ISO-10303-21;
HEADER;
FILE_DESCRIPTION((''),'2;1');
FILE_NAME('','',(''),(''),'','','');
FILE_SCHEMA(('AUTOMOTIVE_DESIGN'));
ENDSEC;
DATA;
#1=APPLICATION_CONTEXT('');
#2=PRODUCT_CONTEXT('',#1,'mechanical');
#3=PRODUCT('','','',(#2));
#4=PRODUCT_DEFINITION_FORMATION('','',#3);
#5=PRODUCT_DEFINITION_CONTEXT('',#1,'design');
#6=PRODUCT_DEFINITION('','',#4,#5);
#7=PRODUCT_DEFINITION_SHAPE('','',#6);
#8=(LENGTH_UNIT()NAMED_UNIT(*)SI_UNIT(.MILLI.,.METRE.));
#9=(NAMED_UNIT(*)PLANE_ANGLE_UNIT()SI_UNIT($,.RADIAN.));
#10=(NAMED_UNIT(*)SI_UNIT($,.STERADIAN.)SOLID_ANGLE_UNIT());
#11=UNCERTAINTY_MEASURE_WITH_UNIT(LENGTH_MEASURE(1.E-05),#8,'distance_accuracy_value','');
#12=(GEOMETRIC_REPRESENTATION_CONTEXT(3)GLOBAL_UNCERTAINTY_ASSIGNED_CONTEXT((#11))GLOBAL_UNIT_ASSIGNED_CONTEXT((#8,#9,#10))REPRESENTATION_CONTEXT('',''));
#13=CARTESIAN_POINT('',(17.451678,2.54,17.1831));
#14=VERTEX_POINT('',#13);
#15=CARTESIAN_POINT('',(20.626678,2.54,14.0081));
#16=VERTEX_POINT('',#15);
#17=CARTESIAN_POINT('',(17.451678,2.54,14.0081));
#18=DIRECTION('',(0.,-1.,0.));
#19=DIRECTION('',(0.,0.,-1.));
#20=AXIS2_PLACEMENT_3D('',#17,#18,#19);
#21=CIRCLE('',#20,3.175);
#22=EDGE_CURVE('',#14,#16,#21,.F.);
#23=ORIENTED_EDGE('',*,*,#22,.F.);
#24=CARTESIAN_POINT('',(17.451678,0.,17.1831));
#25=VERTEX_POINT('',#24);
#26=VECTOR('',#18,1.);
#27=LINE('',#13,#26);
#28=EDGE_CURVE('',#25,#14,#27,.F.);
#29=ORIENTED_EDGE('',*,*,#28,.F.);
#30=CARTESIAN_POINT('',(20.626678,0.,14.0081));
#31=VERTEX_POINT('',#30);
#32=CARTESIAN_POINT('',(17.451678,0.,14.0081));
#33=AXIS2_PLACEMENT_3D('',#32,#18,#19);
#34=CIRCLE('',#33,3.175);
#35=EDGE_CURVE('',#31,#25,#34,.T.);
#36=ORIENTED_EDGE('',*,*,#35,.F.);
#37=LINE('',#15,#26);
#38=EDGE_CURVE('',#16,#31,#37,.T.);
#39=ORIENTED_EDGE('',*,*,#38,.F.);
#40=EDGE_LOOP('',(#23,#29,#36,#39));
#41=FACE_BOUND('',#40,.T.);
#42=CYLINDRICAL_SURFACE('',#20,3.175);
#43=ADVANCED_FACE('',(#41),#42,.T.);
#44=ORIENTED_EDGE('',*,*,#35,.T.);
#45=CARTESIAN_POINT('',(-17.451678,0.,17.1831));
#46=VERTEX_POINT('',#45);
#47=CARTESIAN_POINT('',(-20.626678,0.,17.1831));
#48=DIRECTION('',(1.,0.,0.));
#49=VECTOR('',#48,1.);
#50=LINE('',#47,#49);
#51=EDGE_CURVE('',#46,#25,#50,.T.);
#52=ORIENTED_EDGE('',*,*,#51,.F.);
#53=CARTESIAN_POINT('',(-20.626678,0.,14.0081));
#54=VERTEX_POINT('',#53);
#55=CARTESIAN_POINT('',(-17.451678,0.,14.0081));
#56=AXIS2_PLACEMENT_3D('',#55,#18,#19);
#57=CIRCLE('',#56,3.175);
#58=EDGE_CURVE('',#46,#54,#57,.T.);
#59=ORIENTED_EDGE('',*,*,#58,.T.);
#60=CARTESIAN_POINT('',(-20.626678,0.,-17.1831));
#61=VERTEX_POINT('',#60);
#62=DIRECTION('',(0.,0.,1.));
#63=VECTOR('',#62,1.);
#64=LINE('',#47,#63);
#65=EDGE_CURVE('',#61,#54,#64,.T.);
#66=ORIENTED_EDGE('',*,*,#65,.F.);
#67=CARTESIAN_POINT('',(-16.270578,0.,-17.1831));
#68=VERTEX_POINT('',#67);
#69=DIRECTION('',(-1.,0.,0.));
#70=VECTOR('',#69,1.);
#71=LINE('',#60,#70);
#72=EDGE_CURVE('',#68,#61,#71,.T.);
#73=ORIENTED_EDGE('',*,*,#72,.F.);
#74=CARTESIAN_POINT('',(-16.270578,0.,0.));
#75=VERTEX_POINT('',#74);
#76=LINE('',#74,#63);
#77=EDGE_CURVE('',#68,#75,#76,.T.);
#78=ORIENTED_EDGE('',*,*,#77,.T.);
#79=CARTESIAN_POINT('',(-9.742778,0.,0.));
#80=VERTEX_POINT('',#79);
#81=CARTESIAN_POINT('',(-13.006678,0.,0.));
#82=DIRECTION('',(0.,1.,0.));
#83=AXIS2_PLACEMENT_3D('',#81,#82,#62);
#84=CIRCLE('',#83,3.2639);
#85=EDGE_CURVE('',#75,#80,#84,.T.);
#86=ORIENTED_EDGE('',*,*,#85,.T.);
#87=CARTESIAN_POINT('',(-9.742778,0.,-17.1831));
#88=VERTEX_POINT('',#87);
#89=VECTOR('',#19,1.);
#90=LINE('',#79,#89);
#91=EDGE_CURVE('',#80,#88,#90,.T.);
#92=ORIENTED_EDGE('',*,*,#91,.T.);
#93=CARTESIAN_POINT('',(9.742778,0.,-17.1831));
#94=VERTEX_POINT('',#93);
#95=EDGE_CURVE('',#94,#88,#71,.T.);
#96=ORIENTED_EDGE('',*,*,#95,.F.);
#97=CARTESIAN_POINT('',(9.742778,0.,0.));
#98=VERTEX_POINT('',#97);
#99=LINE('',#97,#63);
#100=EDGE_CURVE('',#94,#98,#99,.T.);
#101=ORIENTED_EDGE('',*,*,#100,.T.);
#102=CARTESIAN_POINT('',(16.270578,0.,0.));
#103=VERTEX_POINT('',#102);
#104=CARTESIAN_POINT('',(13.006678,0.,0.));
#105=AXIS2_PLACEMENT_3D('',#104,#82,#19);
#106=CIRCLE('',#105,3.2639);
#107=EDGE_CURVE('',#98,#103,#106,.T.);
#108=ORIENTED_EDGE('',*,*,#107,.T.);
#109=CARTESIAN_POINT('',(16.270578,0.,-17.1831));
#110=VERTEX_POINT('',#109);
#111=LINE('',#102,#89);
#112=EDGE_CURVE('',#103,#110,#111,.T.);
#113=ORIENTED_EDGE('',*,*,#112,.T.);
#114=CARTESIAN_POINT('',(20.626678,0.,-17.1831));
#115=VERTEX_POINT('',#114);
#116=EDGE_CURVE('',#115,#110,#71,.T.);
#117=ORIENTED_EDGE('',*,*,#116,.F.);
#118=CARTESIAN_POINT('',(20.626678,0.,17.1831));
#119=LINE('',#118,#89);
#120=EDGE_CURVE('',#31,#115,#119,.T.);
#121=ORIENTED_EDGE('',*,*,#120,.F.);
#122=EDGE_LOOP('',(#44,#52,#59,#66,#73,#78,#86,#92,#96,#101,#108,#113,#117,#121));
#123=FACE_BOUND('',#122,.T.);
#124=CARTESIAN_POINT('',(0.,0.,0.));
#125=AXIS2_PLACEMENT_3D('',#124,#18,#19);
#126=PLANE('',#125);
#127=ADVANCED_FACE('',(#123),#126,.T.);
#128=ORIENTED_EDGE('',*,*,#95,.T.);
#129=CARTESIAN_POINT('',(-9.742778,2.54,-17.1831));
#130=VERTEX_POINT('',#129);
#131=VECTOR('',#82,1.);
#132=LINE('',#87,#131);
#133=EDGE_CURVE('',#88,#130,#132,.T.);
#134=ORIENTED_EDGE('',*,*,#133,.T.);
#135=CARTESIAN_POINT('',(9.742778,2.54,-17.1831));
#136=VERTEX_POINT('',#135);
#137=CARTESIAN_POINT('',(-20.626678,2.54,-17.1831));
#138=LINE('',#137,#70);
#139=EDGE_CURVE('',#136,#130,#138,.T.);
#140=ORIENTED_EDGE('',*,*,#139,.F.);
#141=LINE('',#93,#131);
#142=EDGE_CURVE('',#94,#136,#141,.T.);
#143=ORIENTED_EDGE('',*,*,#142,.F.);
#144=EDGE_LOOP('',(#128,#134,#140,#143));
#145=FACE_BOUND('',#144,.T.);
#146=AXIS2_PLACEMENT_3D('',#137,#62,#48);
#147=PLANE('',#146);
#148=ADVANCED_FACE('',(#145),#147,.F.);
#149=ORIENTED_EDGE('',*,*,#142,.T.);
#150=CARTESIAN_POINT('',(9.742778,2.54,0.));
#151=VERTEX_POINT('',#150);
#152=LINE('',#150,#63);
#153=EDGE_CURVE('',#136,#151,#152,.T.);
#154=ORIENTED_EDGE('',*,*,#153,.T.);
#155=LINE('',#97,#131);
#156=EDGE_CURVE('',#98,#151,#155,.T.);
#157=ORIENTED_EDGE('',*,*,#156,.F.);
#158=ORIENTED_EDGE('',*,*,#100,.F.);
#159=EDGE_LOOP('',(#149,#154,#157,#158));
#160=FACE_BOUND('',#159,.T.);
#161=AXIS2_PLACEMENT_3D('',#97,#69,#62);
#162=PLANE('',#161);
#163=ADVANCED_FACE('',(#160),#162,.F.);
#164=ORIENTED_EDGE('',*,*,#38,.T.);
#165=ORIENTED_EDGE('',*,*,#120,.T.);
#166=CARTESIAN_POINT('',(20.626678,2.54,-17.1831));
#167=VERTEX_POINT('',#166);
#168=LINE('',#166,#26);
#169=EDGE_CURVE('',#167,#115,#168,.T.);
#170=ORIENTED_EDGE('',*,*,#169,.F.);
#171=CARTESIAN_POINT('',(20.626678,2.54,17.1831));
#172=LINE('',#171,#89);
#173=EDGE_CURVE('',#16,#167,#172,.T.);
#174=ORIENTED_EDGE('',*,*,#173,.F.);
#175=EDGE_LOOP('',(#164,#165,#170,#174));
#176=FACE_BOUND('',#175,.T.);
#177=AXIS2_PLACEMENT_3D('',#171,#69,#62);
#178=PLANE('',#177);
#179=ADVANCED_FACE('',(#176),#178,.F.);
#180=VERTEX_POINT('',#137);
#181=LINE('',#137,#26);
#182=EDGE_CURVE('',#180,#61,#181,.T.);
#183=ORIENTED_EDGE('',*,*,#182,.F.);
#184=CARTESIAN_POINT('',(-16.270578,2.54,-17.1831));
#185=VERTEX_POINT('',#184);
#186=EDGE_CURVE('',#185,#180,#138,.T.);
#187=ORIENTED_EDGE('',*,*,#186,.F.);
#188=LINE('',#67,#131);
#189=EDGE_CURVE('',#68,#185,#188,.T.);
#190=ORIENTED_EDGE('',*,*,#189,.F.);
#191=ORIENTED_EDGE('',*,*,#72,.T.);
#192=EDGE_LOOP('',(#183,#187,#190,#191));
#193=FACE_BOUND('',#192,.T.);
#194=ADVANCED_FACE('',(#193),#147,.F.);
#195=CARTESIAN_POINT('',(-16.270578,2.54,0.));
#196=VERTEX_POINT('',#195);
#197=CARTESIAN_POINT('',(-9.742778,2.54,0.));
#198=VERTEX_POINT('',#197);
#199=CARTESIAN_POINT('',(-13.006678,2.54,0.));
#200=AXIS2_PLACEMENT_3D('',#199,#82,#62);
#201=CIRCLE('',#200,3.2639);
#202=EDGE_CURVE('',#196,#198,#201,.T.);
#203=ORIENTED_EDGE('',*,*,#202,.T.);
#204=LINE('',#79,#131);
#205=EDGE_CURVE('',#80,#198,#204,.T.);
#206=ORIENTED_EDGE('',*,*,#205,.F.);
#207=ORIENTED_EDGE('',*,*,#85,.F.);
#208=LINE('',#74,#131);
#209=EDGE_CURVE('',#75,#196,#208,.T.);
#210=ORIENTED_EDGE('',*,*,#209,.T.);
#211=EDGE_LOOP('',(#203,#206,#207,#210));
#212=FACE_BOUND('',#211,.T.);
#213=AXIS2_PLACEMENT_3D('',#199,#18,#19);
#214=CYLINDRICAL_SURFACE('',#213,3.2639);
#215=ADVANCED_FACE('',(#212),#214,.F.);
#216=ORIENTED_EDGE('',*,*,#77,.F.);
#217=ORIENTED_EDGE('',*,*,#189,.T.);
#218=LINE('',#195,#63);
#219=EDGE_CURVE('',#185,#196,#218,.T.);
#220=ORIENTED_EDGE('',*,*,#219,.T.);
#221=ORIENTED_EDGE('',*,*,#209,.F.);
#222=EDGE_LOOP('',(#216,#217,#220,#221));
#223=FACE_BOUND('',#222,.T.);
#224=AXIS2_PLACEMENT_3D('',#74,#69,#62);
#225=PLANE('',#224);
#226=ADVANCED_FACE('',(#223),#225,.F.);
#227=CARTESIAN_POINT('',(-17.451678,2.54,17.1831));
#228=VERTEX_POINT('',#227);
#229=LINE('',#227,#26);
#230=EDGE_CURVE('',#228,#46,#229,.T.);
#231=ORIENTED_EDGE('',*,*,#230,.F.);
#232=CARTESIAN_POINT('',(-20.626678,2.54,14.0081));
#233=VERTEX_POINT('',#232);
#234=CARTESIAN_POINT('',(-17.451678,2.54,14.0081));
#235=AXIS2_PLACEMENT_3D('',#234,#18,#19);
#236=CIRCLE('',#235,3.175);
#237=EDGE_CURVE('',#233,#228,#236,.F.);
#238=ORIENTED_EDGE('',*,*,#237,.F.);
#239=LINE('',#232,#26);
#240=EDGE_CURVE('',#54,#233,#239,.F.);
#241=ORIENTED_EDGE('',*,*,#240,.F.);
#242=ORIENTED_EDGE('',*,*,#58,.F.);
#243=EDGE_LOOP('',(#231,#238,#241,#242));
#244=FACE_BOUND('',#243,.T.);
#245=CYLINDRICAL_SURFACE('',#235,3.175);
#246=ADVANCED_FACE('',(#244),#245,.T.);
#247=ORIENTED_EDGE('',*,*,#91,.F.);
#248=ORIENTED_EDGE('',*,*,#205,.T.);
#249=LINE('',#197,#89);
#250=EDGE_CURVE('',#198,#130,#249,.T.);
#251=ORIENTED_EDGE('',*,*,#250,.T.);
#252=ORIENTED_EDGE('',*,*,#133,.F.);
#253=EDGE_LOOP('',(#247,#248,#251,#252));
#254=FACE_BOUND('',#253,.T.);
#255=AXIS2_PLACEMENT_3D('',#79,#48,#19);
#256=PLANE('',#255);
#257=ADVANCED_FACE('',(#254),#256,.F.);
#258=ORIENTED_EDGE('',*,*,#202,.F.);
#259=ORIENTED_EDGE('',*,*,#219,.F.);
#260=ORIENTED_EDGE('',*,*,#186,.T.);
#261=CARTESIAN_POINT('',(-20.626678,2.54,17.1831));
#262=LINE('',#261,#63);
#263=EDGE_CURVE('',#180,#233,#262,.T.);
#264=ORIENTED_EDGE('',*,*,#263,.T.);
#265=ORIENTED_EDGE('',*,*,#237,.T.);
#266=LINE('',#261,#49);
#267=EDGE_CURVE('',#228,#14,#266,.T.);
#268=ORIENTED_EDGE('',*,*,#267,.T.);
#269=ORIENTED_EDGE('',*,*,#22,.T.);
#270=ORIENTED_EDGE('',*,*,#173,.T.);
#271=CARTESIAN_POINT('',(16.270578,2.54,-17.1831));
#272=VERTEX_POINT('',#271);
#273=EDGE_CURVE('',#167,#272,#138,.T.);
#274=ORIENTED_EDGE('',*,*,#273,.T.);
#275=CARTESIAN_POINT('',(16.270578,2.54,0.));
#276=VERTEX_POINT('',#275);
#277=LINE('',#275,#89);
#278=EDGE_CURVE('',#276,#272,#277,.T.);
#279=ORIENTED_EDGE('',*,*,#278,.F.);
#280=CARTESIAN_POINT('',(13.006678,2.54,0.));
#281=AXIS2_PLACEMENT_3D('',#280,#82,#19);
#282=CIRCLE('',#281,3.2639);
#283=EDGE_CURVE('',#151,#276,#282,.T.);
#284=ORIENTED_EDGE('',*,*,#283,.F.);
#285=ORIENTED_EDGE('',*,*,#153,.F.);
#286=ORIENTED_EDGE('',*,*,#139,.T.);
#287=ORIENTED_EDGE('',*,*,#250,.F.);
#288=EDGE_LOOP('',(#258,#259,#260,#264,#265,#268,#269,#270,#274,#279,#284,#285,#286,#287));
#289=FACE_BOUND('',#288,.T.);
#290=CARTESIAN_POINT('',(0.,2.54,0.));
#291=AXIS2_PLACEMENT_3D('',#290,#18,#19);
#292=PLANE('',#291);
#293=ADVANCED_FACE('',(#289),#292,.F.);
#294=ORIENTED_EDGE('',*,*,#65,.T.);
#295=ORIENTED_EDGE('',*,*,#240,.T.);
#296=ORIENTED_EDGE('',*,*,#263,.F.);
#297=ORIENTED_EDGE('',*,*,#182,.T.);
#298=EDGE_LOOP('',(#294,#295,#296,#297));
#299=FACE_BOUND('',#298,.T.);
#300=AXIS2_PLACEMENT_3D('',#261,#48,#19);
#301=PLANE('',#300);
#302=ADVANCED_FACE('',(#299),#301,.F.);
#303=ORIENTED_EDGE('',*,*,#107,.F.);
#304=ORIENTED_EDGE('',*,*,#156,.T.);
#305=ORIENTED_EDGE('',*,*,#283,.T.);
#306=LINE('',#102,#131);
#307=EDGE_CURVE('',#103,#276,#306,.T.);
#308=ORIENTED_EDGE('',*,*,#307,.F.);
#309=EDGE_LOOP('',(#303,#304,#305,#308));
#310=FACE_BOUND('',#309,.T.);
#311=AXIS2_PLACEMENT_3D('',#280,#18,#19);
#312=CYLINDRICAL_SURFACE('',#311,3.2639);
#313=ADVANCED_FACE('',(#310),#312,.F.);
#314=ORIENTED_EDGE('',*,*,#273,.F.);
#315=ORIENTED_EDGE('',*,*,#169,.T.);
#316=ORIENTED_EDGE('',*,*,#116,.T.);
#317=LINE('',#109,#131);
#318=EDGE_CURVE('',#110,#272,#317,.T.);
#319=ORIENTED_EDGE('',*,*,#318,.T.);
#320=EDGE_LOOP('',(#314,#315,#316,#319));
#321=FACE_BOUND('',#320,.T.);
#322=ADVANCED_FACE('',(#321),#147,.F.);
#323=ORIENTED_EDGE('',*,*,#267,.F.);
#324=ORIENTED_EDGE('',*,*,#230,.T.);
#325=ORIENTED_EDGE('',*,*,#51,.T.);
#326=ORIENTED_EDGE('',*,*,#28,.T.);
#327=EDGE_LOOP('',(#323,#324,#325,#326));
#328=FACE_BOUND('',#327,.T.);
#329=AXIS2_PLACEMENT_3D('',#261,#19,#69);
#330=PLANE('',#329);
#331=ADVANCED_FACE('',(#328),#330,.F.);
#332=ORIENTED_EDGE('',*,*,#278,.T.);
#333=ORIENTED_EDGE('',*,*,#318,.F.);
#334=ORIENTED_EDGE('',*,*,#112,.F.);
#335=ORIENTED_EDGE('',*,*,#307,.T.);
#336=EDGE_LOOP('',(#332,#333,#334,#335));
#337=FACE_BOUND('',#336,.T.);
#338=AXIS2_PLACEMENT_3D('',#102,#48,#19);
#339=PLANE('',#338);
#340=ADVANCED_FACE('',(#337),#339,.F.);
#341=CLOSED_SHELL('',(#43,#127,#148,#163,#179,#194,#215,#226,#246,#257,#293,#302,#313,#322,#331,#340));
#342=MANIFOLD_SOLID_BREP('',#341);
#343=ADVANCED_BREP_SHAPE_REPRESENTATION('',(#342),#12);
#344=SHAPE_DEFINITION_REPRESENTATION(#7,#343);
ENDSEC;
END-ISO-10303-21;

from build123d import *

# Parameters (mm, degrees)
SKETCH2_W       = 41.253356914
SKETCH2_H       = 34.3662
SKETCH2_R       = 3.2639
MAIN_BODY_DEPTH = 2.54
FILLET1_R       = 3.175
SKETCH3_W       = 6.5278
SKETCH3_H       = 17.1831
SLOTS_DEPTH     = 27.966097044


with BuildPart() as part:
    # Sketch2 → Main Body (new body)
    with BuildSketch(Plane(origin=(0, 0, 0), x_dir=(1, 0, 0), z_dir=(0, 1, 0))):
        Rectangle(SKETCH2_W, SKETCH2_H)
        with Locations(Location((-13.006678457, 0, 0), (0, 0, 270))):
            Circle(SKETCH2_R, mode=Mode.SUBTRACT)
        with Locations(Location((13.006678457, 0, 0), (0, 0, 90))):
            Circle(SKETCH2_R, mode=Mode.SUBTRACT)
    extrude(amount=MAIN_BODY_DEPTH)

    # Fillet1
    fillet1_edges = [part.edges().sort_by_distance(p)[0] for p in [
        (20.626678457, 1.27, 17.1831),
        (-20.626678457, 1.27, 17.1831),
    ]]
    fillet(fillet1_edges, radius=FILLET1_R)

    # Sketch3 → Slots (cut, through all)
    with BuildSketch(Plane(origin=(0, 2.54, 0), x_dir=(1, 0, 0), z_dir=(0, 1, 0))):
        with Locations((-13.006678457, 8.59155)):
            Rectangle(SKETCH3_W, SKETCH3_H)
        with Locations((13.006678457, 8.59155)):
            Rectangle(SKETCH3_W, SKETCH3_H)
    extrude(amount=-SLOTS_DEPTH, mode=Mode.SUBTRACT)


solid = part.part
